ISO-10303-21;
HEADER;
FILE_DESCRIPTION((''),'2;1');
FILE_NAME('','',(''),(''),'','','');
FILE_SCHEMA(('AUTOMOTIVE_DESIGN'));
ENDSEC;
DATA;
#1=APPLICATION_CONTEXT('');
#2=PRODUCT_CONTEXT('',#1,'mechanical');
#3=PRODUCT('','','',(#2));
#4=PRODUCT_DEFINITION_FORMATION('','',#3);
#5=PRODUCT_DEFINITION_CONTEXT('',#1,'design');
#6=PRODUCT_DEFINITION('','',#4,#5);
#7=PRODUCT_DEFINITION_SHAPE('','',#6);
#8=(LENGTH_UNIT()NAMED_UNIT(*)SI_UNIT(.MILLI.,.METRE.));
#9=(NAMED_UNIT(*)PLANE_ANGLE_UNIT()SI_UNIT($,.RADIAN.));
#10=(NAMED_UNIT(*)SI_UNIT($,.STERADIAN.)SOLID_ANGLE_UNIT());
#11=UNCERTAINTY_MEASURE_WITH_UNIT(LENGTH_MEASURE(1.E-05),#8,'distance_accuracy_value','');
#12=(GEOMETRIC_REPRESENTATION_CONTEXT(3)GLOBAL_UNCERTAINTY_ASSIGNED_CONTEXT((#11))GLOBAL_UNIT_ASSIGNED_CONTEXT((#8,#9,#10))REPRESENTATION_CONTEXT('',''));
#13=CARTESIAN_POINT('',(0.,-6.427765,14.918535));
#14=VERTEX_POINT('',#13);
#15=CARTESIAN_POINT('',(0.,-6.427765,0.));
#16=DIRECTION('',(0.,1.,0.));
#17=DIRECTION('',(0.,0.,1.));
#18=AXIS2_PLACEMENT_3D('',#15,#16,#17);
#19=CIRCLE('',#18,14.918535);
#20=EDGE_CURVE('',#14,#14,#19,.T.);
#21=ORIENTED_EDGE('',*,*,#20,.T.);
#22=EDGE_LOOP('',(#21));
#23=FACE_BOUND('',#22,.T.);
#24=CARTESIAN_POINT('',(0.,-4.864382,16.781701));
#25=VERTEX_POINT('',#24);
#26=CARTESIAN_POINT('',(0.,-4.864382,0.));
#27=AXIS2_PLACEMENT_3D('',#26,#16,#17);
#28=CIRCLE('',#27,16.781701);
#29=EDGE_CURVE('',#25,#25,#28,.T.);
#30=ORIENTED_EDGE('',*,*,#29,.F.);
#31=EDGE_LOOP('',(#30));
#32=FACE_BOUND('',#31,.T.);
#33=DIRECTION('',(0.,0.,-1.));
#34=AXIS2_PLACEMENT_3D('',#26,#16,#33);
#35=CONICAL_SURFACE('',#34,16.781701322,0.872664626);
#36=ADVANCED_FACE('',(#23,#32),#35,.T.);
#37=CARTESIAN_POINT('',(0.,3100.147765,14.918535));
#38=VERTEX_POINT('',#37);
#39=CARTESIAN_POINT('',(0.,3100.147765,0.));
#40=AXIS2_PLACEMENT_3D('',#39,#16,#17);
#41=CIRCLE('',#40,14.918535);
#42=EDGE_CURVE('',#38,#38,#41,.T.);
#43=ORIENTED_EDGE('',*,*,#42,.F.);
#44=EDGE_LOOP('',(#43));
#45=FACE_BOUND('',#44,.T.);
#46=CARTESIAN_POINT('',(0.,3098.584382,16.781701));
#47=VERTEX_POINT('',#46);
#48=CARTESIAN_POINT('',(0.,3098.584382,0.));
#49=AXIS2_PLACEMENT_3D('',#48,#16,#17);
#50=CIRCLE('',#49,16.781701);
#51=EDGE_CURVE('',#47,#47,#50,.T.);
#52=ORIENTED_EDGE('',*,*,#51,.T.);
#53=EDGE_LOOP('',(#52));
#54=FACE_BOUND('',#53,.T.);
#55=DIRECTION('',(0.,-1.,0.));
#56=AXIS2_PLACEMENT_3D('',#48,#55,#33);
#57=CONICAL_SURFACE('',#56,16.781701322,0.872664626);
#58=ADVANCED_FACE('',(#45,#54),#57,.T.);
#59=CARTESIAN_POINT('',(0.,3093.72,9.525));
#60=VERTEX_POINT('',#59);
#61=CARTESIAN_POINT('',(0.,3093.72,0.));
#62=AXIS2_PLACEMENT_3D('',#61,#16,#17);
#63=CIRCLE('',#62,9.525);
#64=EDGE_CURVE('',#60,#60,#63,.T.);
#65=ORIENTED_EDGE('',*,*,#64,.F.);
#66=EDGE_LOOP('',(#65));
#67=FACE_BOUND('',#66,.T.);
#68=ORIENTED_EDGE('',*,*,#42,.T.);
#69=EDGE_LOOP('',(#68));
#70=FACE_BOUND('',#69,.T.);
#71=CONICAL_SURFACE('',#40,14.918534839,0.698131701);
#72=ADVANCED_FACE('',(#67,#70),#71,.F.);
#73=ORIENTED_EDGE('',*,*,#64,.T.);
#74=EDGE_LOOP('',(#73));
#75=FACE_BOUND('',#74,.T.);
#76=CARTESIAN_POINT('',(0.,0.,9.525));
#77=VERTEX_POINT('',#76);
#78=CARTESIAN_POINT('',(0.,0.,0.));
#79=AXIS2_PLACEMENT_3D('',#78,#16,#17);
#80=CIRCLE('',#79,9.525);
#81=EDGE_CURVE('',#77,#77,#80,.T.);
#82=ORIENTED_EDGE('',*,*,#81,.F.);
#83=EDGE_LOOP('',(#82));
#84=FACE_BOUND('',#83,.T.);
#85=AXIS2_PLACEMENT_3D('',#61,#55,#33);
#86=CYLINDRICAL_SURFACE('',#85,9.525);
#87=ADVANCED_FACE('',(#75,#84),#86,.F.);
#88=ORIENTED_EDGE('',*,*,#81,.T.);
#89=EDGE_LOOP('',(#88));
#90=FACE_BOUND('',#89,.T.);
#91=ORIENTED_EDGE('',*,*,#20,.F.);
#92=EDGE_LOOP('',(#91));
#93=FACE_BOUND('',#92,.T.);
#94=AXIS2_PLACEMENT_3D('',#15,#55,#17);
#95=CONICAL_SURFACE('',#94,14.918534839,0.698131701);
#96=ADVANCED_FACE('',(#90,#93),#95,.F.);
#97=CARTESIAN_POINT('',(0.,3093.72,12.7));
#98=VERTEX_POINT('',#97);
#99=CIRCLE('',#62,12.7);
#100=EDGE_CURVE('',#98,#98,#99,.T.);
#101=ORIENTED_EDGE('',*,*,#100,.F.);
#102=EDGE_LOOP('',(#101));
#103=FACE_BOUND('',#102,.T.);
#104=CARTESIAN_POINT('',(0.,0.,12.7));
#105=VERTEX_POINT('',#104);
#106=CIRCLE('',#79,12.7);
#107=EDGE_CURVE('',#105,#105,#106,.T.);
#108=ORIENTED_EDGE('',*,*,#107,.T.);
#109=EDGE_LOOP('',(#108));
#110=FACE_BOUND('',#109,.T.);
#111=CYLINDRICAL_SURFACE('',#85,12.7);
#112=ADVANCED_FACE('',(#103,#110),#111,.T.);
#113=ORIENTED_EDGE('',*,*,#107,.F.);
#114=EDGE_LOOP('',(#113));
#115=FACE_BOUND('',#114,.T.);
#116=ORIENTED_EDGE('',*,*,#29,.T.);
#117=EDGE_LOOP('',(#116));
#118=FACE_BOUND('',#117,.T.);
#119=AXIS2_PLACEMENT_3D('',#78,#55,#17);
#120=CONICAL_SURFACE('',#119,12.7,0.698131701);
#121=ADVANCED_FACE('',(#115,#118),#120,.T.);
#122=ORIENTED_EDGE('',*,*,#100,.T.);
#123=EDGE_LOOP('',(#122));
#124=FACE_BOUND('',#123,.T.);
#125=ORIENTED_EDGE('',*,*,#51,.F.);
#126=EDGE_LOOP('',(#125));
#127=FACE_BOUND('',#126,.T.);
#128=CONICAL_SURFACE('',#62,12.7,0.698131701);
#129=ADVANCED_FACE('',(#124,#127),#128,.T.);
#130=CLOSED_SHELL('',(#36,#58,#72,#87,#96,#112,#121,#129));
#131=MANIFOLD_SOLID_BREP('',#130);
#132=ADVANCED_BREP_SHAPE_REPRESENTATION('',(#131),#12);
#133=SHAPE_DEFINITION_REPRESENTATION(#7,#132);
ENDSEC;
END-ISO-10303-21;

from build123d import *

# Parameters (mm, degrees)
SKETCH1_R           = 12.7
SKETCH1_R_2         = 9.525
BOSS_EXTRUDE1_DEPTH = 3093.72


with BuildPart() as part:
    # Sketch1 → Boss-Extrude1 (new body)
    with BuildSketch(Plane(origin=(0, 0, 0), x_dir=(1, 0, 0), z_dir=(0, 1, 0))):
        Circle(SKETCH1_R)
        Circle(SKETCH1_R_2, mode=Mode.SUBTRACT)
    extrude(amount=BOSS_EXTRUDE1_DEPTH)

    # Sketch2 → Revolve1 (revolve)
    with BuildSketch(Plane.XY):
        Polygon((12.7, 3093.72), (16.781701322, 3098.584382214), (14.918534839, 3100.147764522), (9.525, 3093.72), align=None)
    revolve1 = revolve(axis=Axis((0, 3248.406, 0), (0, -1, 0)))

    # Mirror1: Revolve1 across plane
    add(revolve1.mirror(Plane.ZX.offset(1546.86)))


solid = part.part
